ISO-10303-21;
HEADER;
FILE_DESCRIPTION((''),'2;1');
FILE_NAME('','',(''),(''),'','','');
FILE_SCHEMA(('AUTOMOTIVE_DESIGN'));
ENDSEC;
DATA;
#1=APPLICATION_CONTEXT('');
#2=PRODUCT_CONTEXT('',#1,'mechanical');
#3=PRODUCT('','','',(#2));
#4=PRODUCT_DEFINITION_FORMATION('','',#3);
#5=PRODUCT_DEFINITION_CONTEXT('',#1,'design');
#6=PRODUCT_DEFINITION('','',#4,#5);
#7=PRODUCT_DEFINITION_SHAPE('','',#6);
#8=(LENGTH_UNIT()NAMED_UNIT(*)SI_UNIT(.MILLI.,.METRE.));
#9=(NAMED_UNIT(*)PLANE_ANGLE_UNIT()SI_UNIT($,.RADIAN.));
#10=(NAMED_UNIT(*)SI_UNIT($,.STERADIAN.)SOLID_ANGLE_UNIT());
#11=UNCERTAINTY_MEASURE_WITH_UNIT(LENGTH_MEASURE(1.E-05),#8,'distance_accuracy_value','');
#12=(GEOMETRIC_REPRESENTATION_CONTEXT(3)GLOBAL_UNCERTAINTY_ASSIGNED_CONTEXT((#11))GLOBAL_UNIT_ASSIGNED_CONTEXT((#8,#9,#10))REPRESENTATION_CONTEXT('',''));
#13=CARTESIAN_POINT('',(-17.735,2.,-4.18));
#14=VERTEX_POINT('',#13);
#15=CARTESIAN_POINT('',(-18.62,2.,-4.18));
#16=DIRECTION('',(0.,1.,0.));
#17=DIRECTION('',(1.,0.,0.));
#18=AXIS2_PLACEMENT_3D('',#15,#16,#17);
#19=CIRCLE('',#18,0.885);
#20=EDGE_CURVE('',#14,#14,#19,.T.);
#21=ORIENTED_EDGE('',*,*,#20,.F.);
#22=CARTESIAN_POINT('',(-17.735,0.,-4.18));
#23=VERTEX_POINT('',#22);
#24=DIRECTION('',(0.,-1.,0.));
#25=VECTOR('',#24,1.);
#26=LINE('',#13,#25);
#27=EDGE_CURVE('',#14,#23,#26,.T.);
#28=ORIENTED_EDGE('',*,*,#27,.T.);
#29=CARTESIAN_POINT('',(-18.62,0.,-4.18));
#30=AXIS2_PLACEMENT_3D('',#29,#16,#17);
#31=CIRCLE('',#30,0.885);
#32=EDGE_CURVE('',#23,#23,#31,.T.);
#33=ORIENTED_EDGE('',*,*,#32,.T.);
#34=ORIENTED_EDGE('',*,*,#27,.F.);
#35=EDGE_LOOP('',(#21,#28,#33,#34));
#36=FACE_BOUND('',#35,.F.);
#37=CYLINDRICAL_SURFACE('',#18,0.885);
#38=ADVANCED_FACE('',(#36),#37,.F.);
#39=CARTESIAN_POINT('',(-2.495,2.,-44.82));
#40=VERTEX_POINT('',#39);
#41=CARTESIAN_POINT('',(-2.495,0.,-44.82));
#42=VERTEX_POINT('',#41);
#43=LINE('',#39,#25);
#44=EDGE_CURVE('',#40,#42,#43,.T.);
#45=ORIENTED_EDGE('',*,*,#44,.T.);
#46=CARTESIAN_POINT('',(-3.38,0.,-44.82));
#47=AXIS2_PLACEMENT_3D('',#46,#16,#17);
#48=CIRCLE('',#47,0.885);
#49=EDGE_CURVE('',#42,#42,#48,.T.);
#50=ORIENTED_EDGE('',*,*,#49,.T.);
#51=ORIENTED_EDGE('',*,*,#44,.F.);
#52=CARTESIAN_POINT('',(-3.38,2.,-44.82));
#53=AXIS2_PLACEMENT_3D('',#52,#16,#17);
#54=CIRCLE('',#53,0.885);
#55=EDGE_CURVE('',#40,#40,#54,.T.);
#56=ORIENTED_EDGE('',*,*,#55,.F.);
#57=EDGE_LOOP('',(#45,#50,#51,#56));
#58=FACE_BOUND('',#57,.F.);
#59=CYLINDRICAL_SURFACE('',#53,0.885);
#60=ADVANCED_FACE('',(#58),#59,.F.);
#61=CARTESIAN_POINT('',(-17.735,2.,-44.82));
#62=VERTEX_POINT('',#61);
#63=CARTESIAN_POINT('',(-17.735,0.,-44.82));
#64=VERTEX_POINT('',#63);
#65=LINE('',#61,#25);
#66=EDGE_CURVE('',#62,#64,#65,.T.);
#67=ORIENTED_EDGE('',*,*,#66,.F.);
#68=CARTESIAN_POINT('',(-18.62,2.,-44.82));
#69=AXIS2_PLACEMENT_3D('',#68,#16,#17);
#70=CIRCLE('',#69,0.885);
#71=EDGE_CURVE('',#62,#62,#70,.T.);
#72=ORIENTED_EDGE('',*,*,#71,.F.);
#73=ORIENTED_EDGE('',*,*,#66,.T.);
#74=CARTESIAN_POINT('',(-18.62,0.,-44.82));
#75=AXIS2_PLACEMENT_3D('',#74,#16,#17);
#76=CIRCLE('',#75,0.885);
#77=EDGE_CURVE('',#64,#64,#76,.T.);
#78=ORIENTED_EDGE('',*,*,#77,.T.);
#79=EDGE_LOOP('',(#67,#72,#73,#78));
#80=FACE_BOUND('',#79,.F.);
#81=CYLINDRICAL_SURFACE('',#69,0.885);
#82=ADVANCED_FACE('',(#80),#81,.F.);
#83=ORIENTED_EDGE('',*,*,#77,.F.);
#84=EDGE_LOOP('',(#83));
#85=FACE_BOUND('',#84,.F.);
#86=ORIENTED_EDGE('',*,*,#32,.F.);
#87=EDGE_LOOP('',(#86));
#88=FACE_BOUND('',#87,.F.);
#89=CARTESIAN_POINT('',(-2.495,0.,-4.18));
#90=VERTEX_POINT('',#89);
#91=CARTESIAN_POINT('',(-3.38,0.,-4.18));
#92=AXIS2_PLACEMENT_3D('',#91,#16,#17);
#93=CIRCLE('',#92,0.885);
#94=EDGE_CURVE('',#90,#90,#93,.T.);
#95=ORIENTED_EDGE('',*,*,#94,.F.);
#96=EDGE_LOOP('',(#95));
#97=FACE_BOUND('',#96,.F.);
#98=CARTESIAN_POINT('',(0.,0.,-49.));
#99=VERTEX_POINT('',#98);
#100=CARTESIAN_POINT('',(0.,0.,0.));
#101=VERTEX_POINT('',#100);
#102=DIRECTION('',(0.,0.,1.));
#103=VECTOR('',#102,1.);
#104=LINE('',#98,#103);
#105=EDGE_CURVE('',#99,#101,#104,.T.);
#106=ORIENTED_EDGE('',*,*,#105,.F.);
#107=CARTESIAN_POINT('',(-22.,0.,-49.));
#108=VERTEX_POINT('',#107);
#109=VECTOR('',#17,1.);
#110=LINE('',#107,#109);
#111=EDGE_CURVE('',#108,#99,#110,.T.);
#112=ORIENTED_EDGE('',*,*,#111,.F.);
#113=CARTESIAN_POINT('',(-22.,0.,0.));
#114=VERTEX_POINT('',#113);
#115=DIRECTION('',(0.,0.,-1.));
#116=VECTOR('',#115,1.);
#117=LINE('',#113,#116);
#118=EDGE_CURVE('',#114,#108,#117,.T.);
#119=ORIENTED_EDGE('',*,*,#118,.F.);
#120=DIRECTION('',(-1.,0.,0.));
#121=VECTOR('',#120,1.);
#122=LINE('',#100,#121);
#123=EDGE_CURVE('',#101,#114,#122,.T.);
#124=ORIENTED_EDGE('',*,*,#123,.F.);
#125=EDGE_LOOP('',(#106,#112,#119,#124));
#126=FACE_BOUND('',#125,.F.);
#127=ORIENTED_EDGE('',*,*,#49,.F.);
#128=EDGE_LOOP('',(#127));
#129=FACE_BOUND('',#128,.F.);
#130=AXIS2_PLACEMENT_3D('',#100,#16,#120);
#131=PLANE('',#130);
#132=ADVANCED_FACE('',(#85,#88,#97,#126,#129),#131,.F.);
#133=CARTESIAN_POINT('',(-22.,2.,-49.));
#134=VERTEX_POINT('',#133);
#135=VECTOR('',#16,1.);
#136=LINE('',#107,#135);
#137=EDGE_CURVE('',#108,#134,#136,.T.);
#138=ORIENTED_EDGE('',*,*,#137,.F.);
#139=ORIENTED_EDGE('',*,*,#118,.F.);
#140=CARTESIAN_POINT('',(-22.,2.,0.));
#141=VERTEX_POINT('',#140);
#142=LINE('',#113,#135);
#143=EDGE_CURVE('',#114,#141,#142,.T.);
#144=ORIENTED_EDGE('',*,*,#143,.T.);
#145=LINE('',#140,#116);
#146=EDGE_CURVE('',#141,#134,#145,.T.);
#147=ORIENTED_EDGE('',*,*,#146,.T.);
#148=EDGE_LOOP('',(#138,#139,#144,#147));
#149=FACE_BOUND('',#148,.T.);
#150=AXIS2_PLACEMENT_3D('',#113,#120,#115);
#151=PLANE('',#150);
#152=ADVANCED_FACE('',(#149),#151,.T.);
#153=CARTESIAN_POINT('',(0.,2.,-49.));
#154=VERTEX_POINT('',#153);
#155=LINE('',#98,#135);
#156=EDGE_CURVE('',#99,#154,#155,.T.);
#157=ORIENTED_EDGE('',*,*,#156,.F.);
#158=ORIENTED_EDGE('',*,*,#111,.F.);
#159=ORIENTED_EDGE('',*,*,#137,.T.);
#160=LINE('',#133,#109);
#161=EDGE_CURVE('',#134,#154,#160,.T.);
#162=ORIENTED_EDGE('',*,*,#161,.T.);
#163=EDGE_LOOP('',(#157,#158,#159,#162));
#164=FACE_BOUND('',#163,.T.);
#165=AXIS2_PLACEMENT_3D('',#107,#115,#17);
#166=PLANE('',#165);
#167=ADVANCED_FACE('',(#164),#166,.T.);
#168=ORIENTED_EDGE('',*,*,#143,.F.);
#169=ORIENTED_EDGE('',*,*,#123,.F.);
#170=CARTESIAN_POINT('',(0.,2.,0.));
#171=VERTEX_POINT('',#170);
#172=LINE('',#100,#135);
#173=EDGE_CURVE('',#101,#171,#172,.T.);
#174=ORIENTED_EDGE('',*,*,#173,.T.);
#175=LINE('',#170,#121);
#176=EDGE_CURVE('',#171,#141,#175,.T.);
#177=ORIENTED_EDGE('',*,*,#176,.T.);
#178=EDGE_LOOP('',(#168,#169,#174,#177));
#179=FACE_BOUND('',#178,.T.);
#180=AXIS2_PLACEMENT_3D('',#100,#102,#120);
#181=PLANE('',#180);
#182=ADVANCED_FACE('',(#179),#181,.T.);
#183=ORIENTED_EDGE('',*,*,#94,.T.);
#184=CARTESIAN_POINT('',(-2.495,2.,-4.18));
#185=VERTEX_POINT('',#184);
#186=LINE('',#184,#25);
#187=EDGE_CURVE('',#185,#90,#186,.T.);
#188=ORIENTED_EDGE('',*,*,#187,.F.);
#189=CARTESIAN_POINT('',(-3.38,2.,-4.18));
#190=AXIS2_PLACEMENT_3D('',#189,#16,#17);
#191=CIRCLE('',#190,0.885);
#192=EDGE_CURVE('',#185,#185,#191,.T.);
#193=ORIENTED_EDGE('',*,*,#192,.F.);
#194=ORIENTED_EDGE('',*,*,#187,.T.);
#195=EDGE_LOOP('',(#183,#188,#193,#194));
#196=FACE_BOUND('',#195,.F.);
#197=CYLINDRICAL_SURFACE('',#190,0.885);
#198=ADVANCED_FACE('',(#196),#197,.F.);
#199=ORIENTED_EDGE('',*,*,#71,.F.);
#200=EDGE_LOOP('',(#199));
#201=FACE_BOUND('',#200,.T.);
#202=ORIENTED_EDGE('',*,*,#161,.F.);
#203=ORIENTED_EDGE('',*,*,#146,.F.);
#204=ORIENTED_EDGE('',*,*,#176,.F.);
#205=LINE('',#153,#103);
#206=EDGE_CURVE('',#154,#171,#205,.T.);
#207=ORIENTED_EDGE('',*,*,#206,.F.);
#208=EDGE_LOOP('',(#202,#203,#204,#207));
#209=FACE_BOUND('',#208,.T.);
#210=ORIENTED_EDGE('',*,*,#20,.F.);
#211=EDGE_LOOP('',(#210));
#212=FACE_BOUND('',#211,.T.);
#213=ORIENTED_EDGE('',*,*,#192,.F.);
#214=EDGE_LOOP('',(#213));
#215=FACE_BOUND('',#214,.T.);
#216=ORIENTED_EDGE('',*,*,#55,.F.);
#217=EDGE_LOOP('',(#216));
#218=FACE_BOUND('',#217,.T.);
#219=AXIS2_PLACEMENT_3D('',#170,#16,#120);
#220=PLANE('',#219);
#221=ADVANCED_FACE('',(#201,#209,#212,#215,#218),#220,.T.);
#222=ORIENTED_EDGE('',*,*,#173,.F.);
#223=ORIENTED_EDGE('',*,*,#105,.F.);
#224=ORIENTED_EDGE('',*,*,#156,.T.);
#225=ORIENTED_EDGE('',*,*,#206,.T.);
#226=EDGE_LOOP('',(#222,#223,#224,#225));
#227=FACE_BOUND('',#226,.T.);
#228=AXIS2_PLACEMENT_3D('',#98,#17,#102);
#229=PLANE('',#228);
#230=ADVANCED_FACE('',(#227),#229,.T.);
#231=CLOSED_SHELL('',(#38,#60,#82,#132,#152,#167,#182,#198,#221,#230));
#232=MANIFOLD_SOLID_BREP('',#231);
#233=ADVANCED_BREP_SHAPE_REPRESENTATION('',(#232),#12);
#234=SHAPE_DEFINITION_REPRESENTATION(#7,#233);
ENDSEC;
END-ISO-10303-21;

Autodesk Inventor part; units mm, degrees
ref_plane "YZ Plane" through (0, 0, 0) normal (1, 0, 0) x (0, 1, 0)
ref_plane "XZ Plane" through (0, 0, 0) normal (0, 1, 0) x (-1, 0, 0)
ref_plane "XY Plane" through (0, 0, 0) normal (0, 0, 1) x (1, 0, 0)
sketch "Sketch1" plane through (0, 0, 0) normal (0, 1, 0) x (-1, 0, 0)
  line L0 (0, 0) -> (22, 0)
  line L1 (22, 0) -> (22, -49)
  line L2 (22, -49) -> (0, -49)
  line L3 (0, -49) -> (0, 0)
  dimension "d0" = 22
  dimension "d1" = 49
extrude "Extrusion1" add sketch "Sketch1" along normal blind 2
sketch "Sketch2" plane through (0, 2, 0) normal (0, 1, 0) x (1, 0, 0)
  line L0 (-22, 0) -> (0, 0) projected
  line L1 (0, 0) -> (0, 49) projected
  line L2 (-18.62, 44.82) -> (-3.38, 44.82) construction
  line L3 (-3.38, 44.82) -> (-3.38, 4.18) construction
  line L4 (-3.38, 4.18) -> (-18.62, 4.18) construction
  line L5 (-18.62, 4.18) -> (-18.62, 44.82) construction
  line L6 (-18.62, 44.82) -> (-3.38, 4.18) construction
  line L7 (-3.38, 44.82) -> (-18.62, 4.18) construction
  circle A0 centre (-18.62, 4.18) radius 0.885
  circle A1 centre (-18.62, 44.82) radius 0.885
  circle A2 centre (-3.38, 44.82) radius 0.885
  circle A3 centre (-3.38, 4.18) radius 0.885
  point P0 (0, 24.5)
  point P1 (-11, 0)
  point P2 (-3.38, 0)
  point P3 (0, 4.18)
  point P4 (-11, 24.5)
  dimension "d4" = 11
  dimension "d5" = 7.62
  dimension "d6" = 20.32
  dimension "d8" = 1.77
  dimension "d9" = 1.77
  dimension "d10" = 1.77
  dimension "d11" = 1.77
extrude "Extrusion2" cut sketch "Sketch2" against normal up to next
properties part number "plate4atrduino"
